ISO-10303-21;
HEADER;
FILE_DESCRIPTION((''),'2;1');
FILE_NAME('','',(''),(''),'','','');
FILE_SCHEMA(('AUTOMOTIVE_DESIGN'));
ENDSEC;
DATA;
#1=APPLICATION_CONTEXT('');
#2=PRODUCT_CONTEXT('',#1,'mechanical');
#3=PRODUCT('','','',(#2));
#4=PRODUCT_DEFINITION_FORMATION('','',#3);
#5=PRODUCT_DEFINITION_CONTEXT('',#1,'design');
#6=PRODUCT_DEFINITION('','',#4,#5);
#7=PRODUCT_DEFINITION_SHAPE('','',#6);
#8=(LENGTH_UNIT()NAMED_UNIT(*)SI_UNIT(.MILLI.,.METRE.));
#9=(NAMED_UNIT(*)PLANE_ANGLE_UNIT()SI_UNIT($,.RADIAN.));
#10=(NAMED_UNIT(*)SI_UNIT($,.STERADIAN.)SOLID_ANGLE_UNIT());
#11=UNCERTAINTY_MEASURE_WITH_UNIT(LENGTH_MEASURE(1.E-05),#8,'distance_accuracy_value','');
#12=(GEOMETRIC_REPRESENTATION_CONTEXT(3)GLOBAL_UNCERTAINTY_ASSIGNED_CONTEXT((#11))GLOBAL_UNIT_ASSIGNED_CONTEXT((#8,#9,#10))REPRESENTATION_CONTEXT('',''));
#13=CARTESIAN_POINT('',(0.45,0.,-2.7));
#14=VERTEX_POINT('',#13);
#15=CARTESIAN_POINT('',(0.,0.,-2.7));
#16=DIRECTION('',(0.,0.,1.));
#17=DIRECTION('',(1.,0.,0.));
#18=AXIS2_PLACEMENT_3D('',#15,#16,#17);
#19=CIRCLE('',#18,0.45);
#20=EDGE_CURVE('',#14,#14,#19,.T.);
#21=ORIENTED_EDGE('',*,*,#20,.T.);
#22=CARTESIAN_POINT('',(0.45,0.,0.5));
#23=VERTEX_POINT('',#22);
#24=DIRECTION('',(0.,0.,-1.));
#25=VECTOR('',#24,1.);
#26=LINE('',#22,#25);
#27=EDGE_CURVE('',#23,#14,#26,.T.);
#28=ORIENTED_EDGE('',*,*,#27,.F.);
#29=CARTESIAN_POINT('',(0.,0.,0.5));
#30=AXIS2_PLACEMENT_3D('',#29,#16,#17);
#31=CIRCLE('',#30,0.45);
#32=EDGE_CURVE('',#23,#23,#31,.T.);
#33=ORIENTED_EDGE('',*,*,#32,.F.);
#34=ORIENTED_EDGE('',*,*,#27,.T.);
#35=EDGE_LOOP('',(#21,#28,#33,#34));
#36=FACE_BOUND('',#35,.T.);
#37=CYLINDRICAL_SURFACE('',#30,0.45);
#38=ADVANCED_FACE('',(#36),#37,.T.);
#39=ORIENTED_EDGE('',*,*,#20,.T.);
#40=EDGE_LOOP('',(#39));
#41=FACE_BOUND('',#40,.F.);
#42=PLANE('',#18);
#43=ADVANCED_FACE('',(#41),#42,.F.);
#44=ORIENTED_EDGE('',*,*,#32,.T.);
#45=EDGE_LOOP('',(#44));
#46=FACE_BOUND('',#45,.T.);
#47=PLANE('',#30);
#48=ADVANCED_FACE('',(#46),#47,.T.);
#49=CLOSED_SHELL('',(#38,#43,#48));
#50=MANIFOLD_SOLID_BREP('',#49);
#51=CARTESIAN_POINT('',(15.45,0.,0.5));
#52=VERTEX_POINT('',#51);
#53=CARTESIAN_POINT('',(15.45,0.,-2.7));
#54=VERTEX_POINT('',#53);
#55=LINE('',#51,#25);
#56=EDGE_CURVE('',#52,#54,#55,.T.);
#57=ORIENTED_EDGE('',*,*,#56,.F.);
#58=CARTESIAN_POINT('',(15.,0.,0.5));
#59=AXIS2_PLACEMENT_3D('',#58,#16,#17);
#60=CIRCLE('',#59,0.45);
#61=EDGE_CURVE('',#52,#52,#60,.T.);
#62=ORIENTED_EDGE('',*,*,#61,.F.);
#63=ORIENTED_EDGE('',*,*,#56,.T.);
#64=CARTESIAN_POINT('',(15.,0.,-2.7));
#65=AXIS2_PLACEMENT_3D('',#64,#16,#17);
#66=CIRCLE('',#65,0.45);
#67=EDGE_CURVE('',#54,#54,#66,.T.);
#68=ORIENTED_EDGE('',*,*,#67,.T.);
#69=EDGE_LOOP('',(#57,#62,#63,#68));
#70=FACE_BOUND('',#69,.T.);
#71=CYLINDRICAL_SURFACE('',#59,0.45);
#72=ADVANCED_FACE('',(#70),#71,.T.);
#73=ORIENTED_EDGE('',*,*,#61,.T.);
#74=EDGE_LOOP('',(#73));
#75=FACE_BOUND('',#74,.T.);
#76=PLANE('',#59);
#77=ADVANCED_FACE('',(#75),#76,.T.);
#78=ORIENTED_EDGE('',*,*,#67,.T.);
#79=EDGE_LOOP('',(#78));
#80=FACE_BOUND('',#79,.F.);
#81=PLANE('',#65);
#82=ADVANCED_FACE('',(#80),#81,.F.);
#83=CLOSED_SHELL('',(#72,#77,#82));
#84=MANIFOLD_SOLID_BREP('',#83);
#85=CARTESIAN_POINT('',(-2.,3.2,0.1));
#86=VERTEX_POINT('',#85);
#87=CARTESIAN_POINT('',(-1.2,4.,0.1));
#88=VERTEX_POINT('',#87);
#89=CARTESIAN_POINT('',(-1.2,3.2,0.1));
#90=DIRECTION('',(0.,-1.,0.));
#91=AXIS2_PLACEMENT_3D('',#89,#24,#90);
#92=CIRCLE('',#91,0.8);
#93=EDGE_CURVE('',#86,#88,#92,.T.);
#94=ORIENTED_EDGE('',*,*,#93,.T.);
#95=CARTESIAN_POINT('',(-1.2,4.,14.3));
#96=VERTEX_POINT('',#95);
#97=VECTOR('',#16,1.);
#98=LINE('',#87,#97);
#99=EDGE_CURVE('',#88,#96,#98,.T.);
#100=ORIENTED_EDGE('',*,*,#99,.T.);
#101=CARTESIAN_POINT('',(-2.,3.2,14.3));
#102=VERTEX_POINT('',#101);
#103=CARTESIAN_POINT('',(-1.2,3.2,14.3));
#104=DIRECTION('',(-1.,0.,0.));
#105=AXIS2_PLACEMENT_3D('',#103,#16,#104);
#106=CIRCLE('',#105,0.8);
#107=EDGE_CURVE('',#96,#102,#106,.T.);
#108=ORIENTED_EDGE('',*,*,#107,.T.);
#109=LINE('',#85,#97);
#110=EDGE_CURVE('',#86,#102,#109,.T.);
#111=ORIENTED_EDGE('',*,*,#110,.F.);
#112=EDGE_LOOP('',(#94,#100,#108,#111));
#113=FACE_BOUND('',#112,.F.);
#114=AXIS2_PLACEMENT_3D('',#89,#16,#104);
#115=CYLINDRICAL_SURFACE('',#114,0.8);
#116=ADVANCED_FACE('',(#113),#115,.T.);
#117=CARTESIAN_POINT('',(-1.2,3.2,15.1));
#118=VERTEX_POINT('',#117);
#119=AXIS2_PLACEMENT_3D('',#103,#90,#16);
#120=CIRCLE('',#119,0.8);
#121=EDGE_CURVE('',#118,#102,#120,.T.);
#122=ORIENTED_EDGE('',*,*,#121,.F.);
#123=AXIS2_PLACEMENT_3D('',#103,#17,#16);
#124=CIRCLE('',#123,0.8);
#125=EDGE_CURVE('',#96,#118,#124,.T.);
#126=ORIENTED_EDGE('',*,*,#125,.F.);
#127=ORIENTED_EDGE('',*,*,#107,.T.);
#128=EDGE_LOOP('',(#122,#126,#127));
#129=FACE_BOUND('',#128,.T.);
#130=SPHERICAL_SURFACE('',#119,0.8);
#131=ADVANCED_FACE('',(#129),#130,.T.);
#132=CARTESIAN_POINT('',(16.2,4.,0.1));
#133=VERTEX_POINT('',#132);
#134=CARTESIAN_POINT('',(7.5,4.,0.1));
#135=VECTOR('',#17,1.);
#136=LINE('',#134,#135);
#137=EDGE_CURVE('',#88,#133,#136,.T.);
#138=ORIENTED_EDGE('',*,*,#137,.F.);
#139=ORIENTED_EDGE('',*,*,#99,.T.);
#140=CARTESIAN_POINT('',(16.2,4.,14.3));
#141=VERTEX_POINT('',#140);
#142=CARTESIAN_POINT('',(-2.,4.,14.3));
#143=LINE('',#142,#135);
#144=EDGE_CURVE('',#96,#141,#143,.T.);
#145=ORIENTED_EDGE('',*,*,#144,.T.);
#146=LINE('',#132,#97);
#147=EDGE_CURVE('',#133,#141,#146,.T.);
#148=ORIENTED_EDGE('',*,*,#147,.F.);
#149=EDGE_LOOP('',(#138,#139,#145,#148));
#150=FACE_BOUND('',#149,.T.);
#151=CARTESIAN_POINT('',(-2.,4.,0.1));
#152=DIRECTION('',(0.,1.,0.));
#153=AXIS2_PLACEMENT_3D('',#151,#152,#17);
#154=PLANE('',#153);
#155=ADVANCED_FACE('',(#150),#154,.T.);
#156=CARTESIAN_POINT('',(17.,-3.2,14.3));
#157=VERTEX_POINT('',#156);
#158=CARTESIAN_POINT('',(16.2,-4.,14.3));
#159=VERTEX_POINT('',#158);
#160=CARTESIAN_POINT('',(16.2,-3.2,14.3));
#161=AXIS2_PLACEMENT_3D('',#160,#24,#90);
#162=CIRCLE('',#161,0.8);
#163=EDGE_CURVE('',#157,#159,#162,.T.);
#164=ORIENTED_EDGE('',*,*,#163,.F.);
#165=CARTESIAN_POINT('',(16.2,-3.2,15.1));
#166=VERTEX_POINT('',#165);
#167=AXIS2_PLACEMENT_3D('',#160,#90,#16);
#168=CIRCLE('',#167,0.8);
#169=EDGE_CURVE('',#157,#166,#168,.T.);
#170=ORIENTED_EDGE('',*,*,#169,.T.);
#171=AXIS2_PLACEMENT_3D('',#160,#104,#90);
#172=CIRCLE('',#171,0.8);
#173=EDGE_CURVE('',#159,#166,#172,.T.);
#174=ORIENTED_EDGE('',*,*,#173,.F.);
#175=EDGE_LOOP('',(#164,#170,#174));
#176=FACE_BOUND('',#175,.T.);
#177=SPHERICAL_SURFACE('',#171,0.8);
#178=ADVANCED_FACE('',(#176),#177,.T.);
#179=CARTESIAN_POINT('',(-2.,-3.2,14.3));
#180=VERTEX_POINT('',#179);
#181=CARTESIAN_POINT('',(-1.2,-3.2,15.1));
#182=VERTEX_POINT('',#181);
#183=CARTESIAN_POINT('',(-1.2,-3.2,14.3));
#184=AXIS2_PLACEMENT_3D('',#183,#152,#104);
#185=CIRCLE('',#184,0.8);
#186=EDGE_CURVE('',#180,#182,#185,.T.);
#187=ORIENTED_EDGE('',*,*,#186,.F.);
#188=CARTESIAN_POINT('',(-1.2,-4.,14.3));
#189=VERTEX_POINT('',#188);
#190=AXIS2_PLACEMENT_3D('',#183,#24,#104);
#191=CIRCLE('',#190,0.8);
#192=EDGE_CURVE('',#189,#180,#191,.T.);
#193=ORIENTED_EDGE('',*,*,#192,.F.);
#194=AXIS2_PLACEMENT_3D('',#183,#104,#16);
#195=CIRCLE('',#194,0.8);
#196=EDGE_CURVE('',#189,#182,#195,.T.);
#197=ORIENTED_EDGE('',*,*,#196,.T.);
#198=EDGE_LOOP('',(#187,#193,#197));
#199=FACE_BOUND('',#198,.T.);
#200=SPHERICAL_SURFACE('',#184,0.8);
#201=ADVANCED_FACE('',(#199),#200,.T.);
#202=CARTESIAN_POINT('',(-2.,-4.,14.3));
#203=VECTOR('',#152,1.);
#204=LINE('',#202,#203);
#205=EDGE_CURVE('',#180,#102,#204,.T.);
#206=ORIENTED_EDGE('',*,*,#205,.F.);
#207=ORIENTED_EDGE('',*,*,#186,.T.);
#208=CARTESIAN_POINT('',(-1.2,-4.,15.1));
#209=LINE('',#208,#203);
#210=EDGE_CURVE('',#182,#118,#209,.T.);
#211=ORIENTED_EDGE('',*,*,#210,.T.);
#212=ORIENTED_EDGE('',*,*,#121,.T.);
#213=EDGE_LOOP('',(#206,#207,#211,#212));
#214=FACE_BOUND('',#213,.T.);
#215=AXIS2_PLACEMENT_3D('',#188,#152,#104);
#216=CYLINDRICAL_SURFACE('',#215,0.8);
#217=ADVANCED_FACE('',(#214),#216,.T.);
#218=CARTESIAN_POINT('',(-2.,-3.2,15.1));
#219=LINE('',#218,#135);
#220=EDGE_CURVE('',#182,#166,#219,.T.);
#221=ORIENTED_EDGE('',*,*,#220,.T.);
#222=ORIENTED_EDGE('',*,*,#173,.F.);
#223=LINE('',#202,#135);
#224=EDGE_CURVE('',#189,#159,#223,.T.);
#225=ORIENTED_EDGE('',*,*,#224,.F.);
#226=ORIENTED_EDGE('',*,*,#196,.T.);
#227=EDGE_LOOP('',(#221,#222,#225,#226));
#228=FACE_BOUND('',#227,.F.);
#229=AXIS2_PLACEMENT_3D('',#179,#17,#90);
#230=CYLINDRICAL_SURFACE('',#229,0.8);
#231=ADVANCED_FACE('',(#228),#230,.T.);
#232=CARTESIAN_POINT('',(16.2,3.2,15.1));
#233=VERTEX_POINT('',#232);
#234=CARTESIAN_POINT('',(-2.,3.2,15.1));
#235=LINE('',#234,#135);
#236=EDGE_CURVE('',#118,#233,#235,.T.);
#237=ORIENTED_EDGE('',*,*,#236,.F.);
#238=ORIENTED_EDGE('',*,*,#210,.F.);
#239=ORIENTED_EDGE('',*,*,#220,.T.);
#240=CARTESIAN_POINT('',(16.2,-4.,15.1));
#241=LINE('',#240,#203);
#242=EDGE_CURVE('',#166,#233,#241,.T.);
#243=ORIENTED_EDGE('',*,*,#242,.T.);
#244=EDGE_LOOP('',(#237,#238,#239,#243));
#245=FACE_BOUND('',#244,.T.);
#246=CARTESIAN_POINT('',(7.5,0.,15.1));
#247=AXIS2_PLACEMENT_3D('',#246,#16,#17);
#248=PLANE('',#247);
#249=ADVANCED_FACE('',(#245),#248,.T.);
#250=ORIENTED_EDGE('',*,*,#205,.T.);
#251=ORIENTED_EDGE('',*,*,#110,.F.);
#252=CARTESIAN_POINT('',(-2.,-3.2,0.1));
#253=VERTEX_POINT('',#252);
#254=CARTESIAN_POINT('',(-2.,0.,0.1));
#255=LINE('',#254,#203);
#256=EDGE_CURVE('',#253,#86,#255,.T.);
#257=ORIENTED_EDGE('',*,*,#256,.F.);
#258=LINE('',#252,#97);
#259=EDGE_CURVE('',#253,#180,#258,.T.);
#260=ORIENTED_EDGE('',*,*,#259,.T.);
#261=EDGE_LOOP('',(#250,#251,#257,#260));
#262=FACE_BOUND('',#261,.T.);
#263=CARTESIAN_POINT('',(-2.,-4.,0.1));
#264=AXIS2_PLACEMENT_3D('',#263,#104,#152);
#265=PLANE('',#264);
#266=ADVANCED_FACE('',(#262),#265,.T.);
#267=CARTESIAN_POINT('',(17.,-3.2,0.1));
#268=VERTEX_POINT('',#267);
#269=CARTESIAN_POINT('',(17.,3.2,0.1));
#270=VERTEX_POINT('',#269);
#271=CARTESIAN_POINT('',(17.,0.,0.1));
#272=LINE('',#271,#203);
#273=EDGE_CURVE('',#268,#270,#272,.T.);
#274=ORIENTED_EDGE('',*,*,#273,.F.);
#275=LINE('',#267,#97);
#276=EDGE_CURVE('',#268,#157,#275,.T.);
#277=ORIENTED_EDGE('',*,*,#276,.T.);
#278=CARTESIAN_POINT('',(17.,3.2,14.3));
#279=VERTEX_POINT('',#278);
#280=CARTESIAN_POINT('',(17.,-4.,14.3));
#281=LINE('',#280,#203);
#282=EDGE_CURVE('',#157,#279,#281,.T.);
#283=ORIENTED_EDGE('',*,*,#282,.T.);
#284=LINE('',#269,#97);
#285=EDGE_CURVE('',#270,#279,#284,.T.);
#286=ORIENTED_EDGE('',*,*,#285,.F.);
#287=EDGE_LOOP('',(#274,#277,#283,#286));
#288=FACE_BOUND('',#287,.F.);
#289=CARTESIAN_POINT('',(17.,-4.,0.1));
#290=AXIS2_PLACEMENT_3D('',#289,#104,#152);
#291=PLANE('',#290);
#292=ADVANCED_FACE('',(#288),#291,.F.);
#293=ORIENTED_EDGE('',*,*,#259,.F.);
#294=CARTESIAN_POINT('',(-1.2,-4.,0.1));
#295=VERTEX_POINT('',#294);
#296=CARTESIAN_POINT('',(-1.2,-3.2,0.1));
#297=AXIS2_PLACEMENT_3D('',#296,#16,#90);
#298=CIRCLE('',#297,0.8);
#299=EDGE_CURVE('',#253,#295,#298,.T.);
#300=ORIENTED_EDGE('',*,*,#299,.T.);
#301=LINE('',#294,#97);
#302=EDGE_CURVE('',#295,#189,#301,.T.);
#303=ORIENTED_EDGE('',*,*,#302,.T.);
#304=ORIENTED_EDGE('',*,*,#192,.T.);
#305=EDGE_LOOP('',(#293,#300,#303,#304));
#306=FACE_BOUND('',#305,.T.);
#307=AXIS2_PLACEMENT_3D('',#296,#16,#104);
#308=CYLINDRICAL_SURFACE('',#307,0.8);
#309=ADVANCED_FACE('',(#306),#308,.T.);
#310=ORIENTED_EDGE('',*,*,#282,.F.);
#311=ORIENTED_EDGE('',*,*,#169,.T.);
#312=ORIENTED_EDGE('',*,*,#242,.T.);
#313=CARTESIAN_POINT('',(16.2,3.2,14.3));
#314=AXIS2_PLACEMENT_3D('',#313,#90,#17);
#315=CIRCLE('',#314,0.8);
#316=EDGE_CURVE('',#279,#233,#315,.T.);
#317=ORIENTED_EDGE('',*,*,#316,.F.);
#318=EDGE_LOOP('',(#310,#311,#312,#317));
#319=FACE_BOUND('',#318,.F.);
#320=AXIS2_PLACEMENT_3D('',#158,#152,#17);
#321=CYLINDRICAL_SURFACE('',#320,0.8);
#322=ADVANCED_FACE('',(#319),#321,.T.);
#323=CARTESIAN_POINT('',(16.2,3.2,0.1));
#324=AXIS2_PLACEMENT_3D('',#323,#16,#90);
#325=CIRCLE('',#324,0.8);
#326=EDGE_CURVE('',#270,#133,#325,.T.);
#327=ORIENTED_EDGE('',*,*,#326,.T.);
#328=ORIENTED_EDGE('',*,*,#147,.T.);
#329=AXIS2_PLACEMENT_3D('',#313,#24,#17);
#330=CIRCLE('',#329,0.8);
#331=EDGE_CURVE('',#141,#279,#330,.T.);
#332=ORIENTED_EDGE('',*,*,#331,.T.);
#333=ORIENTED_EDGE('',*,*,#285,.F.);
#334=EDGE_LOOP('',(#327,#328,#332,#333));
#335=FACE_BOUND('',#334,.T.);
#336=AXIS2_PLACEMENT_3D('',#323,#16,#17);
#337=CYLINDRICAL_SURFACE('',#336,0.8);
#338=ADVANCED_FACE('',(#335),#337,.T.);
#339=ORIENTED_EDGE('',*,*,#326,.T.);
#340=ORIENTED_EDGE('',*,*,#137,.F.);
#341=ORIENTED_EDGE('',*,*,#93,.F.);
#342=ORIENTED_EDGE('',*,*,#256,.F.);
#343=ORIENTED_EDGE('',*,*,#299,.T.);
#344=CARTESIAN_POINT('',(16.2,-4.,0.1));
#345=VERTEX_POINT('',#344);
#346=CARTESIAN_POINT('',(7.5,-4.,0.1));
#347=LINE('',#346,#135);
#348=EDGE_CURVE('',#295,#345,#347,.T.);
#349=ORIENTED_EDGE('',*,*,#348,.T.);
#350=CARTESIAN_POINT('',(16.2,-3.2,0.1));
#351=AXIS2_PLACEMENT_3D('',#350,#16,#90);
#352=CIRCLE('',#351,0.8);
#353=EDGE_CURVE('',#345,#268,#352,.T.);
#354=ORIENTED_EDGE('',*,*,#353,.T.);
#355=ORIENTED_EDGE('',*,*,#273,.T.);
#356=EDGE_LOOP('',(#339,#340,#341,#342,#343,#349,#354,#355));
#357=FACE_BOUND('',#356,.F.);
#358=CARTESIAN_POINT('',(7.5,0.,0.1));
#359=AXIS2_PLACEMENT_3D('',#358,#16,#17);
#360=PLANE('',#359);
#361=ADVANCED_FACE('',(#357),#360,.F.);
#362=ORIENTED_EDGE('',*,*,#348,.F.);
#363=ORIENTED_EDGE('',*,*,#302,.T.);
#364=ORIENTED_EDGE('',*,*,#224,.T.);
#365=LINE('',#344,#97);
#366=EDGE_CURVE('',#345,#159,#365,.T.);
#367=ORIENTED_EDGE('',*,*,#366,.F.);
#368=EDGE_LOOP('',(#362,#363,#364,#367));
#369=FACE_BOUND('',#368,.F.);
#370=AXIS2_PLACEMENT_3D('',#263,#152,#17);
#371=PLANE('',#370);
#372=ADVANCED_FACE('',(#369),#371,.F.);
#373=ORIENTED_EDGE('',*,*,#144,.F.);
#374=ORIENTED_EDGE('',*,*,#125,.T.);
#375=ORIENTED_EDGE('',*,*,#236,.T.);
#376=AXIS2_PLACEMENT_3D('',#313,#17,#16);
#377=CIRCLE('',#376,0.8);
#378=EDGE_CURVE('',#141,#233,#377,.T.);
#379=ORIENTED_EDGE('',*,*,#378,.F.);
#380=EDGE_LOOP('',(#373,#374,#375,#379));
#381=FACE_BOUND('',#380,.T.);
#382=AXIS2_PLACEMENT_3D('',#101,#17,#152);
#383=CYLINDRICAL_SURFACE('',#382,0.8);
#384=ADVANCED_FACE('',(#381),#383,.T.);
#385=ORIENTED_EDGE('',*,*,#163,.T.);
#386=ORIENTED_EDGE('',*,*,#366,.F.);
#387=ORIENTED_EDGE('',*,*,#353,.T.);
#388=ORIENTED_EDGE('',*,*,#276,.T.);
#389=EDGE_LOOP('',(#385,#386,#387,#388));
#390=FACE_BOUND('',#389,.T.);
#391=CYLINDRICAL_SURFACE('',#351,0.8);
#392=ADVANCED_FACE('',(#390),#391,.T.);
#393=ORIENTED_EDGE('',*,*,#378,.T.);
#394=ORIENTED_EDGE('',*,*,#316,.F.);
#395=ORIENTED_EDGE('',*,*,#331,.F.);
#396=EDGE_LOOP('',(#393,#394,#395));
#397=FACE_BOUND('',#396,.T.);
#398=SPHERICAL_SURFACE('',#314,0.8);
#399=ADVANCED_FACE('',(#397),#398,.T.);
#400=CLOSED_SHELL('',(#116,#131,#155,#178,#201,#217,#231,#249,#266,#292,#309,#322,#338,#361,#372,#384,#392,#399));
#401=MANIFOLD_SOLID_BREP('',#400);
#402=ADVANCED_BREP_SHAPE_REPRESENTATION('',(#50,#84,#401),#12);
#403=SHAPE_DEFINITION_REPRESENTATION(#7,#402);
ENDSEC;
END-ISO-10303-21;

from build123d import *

# Parameters (mm, degrees)
SKETCH_W     = 19
SKETCH_H     = 8
PAD_DEPTH    = 15
FILLET_R     = 0.8
SKETCH001_R  = 0.45
PAD001_DEPTH = 3.2


with BuildPart() as fillet_body:
    # Sketch → Pad (new body)
    with BuildSketch(Plane.XY.offset(0.1)):
        with Locations((7.5, 0)):
            Rectangle(SKETCH_W, SKETCH_H)
    extrude(amount=PAD_DEPTH)

    # Fillet
    fillet_edges = [fillet_body.edges().sort_by_distance(p)[0] for p in [
        (-2, 0, 15.1),
        (-2, -4, 7.6),
        (7.5, -4, 15.1),
        (17, -4, 7.6),
        (17, 0, 15.1),
        (17, 4, 7.6),
        (7.5, 4, 15.1),
        (-2, 4, 7.6),
    ]]
    fillet(fillet_edges, radius=FILLET_R)


with BuildPart() as pad001:
    # Sketch001 → Pad001 (new body)
    with BuildSketch(Plane.XY.offset(0.5)):
        Circle(SKETCH001_R)
        with Locations((15, 0)):
            Circle(SKETCH001_R)
    extrude(amount=-PAD001_DEPTH)


solid = Compound([fillet_body.part, pad001.part])
